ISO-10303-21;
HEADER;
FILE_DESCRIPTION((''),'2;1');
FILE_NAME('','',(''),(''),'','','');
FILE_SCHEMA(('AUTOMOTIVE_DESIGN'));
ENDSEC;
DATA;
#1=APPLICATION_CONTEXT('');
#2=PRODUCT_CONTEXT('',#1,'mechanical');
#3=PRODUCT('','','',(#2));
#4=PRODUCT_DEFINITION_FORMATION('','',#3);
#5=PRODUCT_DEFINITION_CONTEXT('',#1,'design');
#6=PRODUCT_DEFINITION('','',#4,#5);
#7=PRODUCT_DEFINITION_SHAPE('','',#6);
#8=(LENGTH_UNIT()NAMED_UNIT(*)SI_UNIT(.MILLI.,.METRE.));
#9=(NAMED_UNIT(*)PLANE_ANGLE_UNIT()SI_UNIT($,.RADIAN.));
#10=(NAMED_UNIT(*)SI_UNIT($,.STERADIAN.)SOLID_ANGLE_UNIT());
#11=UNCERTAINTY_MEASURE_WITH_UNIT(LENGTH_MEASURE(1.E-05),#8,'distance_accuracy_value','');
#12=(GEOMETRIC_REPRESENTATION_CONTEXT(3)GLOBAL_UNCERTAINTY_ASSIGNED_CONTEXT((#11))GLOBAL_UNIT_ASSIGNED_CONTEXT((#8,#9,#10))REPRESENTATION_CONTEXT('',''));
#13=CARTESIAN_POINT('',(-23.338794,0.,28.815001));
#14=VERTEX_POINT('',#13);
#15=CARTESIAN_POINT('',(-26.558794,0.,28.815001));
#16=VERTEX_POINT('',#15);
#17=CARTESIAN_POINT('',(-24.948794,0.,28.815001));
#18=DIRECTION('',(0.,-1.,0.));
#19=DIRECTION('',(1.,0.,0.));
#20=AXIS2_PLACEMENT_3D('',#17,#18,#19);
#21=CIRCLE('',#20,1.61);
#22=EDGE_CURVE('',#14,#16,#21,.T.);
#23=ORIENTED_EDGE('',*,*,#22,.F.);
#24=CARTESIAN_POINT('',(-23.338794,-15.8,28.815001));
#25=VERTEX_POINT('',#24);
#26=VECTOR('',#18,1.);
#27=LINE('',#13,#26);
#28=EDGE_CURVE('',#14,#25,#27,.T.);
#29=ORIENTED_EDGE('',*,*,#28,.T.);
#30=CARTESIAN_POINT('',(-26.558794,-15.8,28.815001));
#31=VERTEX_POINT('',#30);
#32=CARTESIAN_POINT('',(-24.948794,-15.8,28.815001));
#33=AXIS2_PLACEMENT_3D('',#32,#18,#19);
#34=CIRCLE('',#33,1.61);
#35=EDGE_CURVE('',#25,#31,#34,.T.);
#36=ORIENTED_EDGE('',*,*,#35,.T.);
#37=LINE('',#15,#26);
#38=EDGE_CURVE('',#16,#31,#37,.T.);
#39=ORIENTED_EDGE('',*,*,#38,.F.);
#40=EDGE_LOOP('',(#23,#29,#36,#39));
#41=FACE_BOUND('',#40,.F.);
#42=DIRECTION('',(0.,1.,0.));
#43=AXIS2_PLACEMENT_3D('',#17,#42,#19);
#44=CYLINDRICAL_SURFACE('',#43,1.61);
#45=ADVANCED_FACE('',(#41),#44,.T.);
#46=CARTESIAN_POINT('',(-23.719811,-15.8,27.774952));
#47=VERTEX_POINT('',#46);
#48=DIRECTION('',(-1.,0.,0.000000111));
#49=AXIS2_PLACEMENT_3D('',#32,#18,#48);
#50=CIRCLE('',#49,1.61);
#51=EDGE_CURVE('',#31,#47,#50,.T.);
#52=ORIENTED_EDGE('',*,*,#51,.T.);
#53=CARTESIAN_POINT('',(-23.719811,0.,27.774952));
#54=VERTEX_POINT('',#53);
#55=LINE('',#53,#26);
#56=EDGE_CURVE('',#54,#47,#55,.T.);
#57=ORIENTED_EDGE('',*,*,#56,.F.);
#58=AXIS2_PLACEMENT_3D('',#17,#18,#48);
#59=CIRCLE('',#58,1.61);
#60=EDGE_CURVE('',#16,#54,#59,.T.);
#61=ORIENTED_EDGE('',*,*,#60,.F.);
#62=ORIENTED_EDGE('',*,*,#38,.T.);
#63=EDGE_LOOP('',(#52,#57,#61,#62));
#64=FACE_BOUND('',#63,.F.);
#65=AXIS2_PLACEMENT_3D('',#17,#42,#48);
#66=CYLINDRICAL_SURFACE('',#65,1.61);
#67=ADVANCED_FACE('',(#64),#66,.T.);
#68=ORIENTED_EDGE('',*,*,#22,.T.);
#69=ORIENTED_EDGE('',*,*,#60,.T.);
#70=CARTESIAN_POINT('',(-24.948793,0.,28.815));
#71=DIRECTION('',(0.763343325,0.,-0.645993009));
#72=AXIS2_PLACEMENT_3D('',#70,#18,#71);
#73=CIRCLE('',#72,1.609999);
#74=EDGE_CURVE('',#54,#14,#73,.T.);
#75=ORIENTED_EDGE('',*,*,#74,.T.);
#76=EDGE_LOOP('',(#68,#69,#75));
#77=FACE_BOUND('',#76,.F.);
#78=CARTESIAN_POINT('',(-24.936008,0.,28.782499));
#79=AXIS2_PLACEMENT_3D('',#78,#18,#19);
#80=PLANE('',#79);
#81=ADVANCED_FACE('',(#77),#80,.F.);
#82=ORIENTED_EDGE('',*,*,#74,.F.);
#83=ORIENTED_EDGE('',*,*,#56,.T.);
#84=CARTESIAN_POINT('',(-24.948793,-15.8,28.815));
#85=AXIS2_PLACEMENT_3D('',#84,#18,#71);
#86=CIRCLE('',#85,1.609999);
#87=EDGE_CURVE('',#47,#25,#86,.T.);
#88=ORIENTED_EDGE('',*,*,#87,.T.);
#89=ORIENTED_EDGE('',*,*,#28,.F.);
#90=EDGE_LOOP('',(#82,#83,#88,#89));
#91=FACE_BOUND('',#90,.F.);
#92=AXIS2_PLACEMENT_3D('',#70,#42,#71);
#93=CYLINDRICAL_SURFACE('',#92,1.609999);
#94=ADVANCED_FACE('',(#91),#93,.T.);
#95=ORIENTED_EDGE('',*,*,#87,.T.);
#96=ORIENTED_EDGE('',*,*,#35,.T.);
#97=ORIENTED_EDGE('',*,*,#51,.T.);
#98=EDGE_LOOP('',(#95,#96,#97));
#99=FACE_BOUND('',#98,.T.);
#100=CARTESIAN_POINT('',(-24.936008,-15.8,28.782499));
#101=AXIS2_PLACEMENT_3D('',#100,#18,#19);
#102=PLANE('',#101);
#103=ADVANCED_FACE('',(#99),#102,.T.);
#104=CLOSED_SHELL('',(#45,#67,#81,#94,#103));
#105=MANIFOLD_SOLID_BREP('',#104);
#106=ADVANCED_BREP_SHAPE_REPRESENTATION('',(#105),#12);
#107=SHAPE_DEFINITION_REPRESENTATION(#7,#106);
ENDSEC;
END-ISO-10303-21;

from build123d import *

# Parameters (mm, degrees)
F1_DEPTH = 15.8


with BuildPart() as f1:
    # F0 (on Front) → F1 (new body)
    with BuildSketch(Plane.XZ):
        with BuildLine():
            ThreePointArc((-23.719811, 27.774952), (-23.437046, 28.261179), (-23.338794, 28.815001))
            ThreePointArc((-23.338794, 28.815001), (-24.948794, 30.425001), (-26.558794, 28.815001))
            ThreePointArc((-26.558794, 28.815001), (-25.502616, 27.303253), (-23.719811, 27.774952))
        make_face()
    extrude(amount=F1_DEPTH)


solid = f1.part
